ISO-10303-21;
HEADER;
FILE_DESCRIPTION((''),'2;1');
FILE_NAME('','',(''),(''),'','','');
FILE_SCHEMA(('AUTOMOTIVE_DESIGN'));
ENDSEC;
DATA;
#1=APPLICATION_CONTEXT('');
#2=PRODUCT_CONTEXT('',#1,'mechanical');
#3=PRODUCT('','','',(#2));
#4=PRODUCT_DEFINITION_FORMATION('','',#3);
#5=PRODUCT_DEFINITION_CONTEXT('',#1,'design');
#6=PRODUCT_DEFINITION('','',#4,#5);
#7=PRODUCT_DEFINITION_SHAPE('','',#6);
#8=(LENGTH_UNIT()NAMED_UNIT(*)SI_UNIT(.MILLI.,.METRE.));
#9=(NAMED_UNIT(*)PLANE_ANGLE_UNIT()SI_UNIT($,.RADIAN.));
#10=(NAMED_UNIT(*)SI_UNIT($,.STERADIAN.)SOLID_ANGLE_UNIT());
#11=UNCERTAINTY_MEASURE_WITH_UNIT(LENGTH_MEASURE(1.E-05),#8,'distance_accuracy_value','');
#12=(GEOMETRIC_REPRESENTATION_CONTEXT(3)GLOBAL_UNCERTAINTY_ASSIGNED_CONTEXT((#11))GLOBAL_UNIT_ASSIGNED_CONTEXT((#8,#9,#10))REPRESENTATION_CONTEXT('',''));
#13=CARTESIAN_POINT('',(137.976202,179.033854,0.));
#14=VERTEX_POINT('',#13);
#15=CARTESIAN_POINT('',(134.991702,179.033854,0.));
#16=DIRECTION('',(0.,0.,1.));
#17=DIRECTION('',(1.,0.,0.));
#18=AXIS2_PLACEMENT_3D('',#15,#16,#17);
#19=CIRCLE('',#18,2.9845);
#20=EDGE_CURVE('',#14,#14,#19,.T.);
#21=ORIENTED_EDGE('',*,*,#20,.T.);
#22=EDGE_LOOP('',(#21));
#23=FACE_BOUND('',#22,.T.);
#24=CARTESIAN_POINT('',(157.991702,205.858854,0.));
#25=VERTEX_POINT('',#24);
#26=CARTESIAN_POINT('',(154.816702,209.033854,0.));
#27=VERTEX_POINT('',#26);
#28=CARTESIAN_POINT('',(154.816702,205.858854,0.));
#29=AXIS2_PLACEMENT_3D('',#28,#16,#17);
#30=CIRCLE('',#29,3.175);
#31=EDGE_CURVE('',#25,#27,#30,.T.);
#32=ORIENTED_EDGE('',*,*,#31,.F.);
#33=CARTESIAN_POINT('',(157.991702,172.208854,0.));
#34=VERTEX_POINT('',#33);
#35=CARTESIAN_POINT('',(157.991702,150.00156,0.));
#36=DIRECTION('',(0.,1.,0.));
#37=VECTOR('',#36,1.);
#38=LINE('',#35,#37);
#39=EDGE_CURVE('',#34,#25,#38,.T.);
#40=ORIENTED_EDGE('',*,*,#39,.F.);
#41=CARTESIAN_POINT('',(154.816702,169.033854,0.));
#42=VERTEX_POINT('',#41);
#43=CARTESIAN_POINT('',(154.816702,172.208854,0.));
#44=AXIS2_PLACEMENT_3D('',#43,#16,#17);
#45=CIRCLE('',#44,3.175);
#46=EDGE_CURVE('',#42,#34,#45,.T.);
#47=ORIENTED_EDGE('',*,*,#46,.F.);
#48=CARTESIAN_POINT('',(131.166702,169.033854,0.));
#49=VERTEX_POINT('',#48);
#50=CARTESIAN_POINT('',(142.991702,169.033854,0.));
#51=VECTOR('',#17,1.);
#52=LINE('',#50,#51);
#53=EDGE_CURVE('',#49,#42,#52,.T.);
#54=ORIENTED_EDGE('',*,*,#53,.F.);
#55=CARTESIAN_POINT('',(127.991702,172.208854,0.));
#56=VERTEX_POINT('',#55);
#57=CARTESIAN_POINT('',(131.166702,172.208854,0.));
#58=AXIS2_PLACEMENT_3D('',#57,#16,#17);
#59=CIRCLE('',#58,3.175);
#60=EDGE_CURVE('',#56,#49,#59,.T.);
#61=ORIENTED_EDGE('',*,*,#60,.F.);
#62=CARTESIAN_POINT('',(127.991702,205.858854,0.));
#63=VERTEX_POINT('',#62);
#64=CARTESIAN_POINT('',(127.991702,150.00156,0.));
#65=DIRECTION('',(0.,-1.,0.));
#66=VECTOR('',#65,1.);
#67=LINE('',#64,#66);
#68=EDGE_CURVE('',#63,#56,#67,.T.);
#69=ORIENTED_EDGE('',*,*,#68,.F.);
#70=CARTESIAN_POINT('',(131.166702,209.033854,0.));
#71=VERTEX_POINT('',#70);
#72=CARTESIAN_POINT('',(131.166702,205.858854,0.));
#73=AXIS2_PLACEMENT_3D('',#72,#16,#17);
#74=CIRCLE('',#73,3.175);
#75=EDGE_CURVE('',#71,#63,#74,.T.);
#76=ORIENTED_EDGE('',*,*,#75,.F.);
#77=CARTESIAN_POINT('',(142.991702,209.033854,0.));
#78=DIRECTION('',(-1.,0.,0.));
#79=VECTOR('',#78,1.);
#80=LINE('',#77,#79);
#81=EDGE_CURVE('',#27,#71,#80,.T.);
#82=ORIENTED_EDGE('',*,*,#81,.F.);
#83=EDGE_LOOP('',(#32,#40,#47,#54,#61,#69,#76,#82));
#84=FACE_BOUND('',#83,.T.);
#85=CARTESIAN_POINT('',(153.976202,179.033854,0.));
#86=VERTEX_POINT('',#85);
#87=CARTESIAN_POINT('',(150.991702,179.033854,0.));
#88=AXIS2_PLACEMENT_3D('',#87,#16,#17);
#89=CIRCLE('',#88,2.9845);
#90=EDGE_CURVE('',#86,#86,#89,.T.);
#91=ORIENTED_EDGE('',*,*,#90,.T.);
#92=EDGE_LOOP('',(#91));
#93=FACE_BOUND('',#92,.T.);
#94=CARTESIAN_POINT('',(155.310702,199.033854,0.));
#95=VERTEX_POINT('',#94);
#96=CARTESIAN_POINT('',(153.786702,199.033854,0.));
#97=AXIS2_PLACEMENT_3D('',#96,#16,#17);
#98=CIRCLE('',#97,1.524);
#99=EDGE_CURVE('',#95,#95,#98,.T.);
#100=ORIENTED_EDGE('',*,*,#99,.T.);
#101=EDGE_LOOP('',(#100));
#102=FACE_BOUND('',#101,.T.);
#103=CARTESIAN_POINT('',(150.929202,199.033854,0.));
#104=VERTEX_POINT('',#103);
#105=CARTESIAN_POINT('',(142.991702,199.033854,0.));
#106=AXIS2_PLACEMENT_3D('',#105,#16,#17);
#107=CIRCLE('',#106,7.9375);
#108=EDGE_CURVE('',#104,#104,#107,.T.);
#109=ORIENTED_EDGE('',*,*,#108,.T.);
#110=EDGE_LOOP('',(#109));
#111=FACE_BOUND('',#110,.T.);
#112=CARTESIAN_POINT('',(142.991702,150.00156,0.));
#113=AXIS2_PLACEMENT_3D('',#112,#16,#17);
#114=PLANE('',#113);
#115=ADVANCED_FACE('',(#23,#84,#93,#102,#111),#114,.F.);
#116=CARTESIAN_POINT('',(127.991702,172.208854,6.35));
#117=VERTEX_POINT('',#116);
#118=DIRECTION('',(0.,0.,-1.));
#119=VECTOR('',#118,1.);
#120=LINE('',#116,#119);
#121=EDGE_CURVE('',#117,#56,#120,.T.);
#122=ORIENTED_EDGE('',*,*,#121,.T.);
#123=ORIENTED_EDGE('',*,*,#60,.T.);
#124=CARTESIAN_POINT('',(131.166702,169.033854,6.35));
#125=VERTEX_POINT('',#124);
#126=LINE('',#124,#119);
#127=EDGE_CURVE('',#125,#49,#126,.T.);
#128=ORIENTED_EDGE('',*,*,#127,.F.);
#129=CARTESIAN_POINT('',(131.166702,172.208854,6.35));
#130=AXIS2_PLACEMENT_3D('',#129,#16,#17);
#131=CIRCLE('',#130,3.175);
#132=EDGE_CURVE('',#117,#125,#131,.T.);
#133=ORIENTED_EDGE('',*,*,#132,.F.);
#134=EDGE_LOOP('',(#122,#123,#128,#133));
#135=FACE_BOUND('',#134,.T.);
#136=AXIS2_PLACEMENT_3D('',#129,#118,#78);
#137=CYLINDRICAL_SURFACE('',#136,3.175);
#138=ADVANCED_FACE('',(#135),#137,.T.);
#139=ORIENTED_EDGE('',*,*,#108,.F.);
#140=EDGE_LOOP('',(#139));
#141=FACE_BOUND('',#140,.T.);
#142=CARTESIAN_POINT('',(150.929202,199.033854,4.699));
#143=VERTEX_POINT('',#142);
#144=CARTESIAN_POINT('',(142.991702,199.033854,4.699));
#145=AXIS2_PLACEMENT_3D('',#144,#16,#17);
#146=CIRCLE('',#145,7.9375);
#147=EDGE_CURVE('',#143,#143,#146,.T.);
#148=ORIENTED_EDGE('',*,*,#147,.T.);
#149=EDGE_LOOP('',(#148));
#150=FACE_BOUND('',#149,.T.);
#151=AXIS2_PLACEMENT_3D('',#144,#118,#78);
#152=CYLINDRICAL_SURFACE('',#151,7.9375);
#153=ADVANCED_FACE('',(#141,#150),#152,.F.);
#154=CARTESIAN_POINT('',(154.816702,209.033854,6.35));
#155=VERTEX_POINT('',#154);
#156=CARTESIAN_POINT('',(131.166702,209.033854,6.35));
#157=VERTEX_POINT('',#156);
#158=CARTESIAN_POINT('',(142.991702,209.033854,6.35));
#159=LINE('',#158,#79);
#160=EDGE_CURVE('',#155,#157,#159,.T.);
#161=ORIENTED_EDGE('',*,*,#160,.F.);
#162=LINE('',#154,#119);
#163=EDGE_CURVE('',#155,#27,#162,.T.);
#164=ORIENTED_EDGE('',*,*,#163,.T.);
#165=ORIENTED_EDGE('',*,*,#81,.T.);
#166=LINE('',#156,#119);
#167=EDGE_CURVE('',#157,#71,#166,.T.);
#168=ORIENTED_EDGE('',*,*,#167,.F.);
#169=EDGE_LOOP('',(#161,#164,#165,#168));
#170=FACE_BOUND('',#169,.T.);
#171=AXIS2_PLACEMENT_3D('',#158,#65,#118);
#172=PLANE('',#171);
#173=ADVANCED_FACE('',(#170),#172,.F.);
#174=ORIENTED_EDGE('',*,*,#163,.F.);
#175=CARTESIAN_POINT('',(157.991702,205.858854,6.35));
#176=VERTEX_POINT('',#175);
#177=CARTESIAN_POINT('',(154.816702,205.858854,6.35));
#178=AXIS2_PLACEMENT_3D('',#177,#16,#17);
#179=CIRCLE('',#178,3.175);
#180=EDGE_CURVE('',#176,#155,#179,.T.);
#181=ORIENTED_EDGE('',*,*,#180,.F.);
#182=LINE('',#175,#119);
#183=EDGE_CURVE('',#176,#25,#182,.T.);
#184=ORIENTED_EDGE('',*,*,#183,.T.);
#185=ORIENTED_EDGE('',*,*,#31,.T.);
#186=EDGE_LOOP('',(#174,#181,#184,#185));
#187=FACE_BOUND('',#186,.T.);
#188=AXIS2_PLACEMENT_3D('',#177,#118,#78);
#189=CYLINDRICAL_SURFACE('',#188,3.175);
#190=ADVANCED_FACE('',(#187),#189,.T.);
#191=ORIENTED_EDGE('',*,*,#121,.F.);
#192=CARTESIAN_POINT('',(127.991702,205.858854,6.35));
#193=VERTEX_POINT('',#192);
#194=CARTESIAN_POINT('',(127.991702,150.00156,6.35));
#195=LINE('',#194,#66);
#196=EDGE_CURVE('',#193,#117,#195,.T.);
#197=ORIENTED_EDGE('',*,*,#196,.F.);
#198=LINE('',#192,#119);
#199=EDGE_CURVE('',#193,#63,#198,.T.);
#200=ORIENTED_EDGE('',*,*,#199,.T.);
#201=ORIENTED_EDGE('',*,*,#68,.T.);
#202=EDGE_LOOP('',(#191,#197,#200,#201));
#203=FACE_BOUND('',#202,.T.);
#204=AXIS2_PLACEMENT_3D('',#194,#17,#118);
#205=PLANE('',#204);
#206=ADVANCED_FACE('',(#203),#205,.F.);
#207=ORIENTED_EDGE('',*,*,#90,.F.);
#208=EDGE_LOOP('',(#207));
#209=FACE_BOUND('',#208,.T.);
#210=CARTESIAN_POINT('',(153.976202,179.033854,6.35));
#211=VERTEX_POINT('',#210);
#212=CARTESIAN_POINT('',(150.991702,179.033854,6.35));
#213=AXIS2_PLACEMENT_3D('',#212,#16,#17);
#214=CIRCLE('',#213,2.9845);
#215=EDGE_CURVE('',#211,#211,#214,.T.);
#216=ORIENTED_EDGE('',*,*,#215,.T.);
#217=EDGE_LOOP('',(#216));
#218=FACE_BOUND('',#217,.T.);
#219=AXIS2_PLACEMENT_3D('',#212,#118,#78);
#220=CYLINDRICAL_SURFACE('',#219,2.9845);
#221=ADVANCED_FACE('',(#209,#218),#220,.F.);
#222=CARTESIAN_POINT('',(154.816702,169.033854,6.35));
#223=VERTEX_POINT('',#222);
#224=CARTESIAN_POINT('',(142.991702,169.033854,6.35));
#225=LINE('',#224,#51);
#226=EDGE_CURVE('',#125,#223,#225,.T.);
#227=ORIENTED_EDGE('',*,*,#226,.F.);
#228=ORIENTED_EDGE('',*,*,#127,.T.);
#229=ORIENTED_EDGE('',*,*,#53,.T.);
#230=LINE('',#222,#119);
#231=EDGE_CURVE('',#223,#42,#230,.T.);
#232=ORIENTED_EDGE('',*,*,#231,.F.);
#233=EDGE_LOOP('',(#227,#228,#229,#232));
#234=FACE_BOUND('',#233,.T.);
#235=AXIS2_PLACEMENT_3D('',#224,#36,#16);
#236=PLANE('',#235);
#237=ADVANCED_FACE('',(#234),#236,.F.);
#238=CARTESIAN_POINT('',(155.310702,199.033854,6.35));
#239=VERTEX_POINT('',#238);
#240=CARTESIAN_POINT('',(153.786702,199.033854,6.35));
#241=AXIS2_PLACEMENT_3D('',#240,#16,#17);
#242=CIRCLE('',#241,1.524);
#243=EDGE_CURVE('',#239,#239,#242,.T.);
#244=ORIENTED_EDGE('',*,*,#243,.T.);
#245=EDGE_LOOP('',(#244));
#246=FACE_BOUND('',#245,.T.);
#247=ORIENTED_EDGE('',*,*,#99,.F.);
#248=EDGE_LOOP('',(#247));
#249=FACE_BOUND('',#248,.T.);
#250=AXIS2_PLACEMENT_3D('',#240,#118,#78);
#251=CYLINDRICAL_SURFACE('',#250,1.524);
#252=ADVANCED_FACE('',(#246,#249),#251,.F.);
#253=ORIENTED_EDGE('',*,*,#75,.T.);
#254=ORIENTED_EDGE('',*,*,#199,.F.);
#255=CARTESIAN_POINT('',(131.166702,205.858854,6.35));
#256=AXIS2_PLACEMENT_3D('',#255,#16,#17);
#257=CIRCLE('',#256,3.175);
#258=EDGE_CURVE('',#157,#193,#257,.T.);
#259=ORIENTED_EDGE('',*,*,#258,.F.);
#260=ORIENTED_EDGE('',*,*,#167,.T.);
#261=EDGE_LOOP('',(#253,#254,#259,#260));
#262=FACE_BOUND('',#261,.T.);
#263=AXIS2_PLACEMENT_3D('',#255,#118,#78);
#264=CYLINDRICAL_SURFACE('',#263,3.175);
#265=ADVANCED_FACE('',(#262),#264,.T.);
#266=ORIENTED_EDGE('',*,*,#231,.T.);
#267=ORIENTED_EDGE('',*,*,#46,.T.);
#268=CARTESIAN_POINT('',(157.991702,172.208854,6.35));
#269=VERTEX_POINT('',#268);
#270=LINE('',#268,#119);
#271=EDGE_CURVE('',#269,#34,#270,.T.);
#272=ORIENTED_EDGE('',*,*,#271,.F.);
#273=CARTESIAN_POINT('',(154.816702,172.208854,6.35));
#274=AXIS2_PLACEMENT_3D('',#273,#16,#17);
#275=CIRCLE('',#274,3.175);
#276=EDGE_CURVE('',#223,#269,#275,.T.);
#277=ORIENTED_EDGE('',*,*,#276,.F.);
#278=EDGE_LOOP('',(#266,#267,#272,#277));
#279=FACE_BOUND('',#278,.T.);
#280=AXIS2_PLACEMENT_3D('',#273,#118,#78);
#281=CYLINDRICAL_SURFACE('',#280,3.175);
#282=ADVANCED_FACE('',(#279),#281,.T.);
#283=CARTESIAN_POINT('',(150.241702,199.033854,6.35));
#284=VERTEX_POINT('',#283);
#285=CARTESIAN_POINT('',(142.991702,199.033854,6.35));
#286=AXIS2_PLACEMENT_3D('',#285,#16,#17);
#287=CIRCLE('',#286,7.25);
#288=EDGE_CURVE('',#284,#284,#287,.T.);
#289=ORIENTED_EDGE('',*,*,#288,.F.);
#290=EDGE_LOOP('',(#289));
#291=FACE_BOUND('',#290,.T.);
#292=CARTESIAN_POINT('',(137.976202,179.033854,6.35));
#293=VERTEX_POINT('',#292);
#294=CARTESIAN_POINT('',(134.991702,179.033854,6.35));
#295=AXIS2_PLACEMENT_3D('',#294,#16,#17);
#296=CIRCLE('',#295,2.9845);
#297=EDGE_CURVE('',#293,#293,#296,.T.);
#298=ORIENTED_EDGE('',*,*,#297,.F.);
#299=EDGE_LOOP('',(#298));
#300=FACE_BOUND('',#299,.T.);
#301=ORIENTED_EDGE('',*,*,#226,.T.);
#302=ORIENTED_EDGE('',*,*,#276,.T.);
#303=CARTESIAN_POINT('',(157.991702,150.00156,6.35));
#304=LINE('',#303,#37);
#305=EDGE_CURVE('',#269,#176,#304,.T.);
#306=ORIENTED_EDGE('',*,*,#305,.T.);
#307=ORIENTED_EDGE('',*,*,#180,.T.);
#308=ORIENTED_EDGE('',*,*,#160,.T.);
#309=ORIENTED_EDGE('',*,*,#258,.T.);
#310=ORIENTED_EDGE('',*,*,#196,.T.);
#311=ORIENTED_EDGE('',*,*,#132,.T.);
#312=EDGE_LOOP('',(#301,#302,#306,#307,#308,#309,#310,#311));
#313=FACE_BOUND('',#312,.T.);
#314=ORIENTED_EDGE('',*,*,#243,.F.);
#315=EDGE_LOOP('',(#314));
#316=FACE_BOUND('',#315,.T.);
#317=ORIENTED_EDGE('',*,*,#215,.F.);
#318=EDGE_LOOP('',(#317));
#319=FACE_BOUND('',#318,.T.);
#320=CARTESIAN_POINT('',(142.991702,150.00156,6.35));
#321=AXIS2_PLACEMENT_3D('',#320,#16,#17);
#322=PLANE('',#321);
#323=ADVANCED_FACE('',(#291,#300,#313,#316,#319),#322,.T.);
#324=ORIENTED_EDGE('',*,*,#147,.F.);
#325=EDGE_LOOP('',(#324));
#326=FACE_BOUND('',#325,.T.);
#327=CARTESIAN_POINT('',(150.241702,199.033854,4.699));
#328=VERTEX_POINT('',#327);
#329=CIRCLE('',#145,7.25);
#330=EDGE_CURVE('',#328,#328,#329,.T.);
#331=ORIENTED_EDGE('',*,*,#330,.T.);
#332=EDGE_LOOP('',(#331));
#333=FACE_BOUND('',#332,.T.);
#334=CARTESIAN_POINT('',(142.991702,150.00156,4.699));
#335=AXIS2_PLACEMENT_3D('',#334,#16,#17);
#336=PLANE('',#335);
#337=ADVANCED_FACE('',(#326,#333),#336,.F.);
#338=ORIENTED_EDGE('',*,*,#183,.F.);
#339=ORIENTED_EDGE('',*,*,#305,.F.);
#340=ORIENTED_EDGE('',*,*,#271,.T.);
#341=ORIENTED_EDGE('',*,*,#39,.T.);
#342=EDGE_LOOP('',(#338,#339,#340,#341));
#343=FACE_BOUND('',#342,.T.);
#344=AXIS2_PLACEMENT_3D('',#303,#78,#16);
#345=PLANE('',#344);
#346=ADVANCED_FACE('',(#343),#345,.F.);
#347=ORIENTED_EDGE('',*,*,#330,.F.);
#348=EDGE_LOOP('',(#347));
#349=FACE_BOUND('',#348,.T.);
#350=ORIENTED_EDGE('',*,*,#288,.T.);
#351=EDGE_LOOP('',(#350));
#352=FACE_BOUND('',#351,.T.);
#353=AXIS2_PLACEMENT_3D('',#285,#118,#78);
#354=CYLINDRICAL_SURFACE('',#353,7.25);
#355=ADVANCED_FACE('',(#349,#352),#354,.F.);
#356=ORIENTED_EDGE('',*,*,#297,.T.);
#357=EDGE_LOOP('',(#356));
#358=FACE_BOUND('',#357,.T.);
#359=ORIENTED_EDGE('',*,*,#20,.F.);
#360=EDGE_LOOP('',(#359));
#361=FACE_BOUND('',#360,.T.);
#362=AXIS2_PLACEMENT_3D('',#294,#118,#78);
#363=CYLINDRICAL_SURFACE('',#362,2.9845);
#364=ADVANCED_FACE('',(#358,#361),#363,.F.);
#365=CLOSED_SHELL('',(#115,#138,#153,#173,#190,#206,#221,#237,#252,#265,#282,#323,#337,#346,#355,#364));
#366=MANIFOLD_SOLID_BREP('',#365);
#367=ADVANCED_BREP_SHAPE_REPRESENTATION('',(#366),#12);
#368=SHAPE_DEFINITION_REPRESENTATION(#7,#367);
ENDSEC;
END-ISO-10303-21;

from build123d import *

# Parameters (mm, degrees)
SKETCH1_R           = 2.9845
SKETCH1_R_2         = 1.524
SKETCH1_R_3         = 7.250000001
BOSS_EXTRUDE1_DEPTH = 6.35
SKETCH1_3_R         = 7.9375
SKETCH1_3_R_2       = 7.250000001
CUT_EXTRUDE1_DEPTH  = 4.699


with BuildPart() as part:
    # Sketch1 → Boss-Extrude1 (new body)
    with BuildSketch(Plane.XY):
        with BuildLine():
            ThreePointArc((131.166701588, 209.033854223), (128.921637558, 208.103918253), (127.991701588, 205.858854223))
            Line((127.991701588, 205.858854223), (127.991701588, 172.208854223))
            ThreePointArc((127.991701588, 172.208854223), (128.921637558, 169.963790192), (131.166701588, 169.033854223))
            Line((131.166701588, 169.033854223), (154.816701588, 169.033854223))
            ThreePointArc((154.816701588, 169.033854223), (157.061765618, 169.963790192), (157.991701588, 172.208854223))
            Line((157.991701588, 172.208854223), (157.991701588, 205.858854223))
            ThreePointArc((157.991701588, 205.858854223), (157.061765618, 208.103918253), (154.816701588, 209.033854223))
            Line((154.816701588, 209.033854223), (131.166701588, 209.033854223))
        make_face()
        with Locations((134.991701588, 179.033854223)):
            Circle(SKETCH1_R, mode=Mode.SUBTRACT)
        with Locations((150.991701587, 179.033854223)):
            Circle(SKETCH1_R, mode=Mode.SUBTRACT)
        with Locations((153.786701588, 199.033854223)):
            Circle(SKETCH1_R_2, mode=Mode.SUBTRACT)
        with Locations((142.991701588, 199.033854223)):
            Circle(SKETCH1_R_3, mode=Mode.SUBTRACT)
    extrude(amount=BOSS_EXTRUDE1_DEPTH)

    # Sketch1<3> → Cut-Extrude1 (cut)
    with BuildSketch(Plane.XY):
        with Locations((142.991701588, 199.033854223)):
            Circle(SKETCH1_3_R)
        with Locations((142.991701588, 199.033854223)):
            Circle(SKETCH1_3_R_2, mode=Mode.SUBTRACT)
    extrude(amount=CUT_EXTRUDE1_DEPTH, mode=Mode.SUBTRACT)


solid = part.part
